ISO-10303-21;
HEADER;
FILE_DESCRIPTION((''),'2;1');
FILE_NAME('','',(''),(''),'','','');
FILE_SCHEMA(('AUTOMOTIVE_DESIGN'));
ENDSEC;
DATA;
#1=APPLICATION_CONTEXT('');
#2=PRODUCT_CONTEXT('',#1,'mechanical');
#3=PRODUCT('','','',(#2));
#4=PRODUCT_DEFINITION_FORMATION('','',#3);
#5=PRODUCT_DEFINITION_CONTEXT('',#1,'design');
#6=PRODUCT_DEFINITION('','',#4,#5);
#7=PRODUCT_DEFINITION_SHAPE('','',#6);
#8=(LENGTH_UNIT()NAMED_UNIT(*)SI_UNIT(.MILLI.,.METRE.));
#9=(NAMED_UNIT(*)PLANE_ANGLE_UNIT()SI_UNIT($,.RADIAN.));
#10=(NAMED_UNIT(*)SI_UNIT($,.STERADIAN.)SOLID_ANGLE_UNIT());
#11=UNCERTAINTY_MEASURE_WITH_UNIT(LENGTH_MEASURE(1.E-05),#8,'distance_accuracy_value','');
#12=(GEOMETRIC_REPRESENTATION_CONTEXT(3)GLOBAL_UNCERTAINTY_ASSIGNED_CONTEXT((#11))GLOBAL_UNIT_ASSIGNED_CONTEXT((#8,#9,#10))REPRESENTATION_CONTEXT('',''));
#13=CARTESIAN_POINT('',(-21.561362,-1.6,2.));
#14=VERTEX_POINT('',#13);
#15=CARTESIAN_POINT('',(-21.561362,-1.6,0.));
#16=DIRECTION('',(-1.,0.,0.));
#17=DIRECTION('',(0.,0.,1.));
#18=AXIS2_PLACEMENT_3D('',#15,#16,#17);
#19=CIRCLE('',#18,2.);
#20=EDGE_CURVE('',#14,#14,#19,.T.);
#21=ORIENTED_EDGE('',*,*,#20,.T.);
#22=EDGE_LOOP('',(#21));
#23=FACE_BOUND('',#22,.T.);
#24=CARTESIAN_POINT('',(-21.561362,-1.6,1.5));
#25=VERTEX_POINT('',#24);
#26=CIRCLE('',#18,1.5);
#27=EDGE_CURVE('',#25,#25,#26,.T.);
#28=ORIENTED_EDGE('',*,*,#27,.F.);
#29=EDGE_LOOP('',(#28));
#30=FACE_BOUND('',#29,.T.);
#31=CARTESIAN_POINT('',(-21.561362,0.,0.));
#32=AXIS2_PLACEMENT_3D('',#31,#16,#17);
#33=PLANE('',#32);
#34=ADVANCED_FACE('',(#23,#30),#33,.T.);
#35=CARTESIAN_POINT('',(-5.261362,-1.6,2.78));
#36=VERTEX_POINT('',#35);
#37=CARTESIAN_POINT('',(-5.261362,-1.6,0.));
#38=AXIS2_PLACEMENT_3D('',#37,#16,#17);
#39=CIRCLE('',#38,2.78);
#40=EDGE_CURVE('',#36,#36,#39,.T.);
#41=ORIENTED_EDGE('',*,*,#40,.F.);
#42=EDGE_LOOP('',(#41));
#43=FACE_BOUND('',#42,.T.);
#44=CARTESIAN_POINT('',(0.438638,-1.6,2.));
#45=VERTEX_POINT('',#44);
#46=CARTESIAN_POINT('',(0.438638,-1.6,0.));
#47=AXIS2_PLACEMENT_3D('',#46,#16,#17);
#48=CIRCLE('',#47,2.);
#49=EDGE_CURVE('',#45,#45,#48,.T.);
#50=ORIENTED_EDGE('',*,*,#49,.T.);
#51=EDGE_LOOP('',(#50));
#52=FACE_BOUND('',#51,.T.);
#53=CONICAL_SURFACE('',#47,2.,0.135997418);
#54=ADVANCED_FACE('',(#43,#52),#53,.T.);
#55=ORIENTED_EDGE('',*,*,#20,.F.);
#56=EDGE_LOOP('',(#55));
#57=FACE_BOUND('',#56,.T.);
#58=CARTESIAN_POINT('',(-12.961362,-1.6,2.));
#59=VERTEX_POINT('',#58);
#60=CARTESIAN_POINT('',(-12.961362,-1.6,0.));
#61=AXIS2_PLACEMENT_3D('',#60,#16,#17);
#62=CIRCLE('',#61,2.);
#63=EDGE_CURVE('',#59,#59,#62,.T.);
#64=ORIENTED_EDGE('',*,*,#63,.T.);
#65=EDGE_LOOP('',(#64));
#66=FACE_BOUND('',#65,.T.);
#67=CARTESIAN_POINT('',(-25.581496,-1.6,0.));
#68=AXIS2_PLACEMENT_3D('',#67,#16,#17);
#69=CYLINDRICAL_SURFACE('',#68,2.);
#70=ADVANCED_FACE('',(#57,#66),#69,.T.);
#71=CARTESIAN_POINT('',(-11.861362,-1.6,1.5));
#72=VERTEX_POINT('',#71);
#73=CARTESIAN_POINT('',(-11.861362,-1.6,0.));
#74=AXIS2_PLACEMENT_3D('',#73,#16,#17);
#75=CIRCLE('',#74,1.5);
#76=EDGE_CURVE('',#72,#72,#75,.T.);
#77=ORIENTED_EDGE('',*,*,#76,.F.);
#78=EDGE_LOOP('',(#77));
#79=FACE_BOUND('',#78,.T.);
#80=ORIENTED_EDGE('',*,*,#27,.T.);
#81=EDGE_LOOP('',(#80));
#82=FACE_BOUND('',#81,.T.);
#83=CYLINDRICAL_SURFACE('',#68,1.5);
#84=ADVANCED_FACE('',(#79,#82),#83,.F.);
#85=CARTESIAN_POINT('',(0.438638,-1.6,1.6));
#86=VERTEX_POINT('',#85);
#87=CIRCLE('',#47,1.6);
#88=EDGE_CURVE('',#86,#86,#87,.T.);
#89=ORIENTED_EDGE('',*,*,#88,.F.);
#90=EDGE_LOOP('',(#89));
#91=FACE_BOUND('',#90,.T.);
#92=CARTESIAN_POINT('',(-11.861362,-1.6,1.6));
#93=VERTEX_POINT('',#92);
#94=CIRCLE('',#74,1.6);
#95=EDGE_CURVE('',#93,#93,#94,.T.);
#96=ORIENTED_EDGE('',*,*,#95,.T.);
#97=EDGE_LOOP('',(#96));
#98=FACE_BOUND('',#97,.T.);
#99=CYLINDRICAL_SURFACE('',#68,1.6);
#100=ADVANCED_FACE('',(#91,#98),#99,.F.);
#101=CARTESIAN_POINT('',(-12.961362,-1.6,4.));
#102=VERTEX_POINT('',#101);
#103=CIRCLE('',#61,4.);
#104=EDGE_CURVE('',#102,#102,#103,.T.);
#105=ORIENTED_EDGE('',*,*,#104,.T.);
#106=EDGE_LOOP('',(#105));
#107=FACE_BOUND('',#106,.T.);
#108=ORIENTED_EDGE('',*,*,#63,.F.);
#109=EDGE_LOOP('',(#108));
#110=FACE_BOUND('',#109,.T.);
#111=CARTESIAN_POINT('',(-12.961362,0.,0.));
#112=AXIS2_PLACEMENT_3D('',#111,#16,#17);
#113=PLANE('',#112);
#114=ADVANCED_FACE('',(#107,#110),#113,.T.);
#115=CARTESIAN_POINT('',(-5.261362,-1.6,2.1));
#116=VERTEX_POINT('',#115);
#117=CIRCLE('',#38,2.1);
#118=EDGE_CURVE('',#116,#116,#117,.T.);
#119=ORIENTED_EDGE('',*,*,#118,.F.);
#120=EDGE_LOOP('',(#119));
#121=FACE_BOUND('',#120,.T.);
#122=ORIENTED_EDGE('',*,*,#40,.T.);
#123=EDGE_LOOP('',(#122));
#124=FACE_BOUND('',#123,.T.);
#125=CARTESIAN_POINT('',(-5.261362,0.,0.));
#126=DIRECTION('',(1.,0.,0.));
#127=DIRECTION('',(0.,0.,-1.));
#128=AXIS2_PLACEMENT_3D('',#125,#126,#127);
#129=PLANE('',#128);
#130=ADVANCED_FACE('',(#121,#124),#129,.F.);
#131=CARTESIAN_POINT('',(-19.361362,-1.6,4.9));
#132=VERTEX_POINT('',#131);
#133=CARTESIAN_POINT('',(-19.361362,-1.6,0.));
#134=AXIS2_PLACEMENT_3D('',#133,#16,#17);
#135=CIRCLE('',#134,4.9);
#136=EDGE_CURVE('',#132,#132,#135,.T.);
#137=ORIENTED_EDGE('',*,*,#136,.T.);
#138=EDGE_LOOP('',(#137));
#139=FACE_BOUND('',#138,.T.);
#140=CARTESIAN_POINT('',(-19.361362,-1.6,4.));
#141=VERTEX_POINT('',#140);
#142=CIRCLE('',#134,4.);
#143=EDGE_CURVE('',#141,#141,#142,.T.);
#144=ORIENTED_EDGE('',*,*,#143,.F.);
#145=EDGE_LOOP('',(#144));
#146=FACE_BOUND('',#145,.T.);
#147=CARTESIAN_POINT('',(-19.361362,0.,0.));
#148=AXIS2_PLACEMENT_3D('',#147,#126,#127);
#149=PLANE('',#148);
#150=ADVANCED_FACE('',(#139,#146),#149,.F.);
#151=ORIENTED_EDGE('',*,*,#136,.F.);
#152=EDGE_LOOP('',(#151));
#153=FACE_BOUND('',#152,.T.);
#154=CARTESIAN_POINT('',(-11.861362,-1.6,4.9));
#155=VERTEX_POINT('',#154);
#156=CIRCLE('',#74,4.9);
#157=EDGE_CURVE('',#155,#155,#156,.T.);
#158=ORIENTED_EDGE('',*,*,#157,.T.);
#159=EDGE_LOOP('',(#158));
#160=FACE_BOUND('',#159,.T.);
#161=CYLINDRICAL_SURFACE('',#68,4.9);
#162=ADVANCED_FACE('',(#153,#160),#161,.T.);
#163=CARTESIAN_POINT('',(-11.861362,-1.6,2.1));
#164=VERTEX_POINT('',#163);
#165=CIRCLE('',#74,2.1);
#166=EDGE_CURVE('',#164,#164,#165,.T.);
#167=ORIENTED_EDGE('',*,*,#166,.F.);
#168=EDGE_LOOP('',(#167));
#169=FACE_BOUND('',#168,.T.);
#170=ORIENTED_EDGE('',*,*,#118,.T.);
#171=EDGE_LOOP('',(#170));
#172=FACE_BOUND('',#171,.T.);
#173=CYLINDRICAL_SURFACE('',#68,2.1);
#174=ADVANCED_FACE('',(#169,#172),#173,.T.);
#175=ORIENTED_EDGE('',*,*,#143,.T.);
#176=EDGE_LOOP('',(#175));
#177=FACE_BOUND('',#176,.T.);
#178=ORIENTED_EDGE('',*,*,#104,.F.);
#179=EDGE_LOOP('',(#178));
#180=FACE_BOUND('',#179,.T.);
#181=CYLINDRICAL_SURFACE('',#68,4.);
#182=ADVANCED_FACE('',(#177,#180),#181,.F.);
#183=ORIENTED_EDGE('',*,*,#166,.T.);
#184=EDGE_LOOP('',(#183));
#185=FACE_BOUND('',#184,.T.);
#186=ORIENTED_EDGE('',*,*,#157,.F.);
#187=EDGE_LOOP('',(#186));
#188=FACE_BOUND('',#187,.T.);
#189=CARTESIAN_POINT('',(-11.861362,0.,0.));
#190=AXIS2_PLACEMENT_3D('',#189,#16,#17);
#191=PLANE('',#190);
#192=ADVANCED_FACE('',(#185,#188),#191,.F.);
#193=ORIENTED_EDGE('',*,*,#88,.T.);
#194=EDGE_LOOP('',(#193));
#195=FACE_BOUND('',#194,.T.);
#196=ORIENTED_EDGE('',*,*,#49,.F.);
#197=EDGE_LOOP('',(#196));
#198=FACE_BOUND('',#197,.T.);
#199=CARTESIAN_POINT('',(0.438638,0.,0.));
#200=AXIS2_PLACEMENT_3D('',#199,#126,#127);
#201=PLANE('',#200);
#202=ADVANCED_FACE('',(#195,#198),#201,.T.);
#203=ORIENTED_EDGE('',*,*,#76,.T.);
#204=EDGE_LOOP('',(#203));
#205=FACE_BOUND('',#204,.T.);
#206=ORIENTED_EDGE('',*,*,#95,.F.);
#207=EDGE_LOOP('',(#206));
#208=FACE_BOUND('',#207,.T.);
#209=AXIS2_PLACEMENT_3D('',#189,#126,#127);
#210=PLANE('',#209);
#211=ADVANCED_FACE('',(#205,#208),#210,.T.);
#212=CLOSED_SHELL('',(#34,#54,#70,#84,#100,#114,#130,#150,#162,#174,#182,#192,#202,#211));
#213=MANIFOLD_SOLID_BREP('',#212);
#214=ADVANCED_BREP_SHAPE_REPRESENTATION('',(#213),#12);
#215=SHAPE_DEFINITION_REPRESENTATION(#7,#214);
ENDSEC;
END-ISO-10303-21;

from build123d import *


with BuildPart() as part:
    # Sketch1 → Revolve2 (revolve)
    with BuildSketch(Plane.XY):
        Polygon((0.438638081, 0), (0.438638081, 0.4), (-5.261361919, 1.18), (-5.261361919, 0.5), (-11.861361919, 0.5), (-11.861361919, 3.3), (-19.361361919, 3.3), (-19.361361919, 2.4), (-12.961361919, 2.4), (-12.961361919, 0.4), (-21.561361919, 0.4), (-21.561361919, -0.1), (-11.861361919, -0.1), (-11.861361919, 0), align=None)
    revolve(axis=Axis((-25.581495944, -1.6, 0), (1, 0, 0)))


solid = part.part
